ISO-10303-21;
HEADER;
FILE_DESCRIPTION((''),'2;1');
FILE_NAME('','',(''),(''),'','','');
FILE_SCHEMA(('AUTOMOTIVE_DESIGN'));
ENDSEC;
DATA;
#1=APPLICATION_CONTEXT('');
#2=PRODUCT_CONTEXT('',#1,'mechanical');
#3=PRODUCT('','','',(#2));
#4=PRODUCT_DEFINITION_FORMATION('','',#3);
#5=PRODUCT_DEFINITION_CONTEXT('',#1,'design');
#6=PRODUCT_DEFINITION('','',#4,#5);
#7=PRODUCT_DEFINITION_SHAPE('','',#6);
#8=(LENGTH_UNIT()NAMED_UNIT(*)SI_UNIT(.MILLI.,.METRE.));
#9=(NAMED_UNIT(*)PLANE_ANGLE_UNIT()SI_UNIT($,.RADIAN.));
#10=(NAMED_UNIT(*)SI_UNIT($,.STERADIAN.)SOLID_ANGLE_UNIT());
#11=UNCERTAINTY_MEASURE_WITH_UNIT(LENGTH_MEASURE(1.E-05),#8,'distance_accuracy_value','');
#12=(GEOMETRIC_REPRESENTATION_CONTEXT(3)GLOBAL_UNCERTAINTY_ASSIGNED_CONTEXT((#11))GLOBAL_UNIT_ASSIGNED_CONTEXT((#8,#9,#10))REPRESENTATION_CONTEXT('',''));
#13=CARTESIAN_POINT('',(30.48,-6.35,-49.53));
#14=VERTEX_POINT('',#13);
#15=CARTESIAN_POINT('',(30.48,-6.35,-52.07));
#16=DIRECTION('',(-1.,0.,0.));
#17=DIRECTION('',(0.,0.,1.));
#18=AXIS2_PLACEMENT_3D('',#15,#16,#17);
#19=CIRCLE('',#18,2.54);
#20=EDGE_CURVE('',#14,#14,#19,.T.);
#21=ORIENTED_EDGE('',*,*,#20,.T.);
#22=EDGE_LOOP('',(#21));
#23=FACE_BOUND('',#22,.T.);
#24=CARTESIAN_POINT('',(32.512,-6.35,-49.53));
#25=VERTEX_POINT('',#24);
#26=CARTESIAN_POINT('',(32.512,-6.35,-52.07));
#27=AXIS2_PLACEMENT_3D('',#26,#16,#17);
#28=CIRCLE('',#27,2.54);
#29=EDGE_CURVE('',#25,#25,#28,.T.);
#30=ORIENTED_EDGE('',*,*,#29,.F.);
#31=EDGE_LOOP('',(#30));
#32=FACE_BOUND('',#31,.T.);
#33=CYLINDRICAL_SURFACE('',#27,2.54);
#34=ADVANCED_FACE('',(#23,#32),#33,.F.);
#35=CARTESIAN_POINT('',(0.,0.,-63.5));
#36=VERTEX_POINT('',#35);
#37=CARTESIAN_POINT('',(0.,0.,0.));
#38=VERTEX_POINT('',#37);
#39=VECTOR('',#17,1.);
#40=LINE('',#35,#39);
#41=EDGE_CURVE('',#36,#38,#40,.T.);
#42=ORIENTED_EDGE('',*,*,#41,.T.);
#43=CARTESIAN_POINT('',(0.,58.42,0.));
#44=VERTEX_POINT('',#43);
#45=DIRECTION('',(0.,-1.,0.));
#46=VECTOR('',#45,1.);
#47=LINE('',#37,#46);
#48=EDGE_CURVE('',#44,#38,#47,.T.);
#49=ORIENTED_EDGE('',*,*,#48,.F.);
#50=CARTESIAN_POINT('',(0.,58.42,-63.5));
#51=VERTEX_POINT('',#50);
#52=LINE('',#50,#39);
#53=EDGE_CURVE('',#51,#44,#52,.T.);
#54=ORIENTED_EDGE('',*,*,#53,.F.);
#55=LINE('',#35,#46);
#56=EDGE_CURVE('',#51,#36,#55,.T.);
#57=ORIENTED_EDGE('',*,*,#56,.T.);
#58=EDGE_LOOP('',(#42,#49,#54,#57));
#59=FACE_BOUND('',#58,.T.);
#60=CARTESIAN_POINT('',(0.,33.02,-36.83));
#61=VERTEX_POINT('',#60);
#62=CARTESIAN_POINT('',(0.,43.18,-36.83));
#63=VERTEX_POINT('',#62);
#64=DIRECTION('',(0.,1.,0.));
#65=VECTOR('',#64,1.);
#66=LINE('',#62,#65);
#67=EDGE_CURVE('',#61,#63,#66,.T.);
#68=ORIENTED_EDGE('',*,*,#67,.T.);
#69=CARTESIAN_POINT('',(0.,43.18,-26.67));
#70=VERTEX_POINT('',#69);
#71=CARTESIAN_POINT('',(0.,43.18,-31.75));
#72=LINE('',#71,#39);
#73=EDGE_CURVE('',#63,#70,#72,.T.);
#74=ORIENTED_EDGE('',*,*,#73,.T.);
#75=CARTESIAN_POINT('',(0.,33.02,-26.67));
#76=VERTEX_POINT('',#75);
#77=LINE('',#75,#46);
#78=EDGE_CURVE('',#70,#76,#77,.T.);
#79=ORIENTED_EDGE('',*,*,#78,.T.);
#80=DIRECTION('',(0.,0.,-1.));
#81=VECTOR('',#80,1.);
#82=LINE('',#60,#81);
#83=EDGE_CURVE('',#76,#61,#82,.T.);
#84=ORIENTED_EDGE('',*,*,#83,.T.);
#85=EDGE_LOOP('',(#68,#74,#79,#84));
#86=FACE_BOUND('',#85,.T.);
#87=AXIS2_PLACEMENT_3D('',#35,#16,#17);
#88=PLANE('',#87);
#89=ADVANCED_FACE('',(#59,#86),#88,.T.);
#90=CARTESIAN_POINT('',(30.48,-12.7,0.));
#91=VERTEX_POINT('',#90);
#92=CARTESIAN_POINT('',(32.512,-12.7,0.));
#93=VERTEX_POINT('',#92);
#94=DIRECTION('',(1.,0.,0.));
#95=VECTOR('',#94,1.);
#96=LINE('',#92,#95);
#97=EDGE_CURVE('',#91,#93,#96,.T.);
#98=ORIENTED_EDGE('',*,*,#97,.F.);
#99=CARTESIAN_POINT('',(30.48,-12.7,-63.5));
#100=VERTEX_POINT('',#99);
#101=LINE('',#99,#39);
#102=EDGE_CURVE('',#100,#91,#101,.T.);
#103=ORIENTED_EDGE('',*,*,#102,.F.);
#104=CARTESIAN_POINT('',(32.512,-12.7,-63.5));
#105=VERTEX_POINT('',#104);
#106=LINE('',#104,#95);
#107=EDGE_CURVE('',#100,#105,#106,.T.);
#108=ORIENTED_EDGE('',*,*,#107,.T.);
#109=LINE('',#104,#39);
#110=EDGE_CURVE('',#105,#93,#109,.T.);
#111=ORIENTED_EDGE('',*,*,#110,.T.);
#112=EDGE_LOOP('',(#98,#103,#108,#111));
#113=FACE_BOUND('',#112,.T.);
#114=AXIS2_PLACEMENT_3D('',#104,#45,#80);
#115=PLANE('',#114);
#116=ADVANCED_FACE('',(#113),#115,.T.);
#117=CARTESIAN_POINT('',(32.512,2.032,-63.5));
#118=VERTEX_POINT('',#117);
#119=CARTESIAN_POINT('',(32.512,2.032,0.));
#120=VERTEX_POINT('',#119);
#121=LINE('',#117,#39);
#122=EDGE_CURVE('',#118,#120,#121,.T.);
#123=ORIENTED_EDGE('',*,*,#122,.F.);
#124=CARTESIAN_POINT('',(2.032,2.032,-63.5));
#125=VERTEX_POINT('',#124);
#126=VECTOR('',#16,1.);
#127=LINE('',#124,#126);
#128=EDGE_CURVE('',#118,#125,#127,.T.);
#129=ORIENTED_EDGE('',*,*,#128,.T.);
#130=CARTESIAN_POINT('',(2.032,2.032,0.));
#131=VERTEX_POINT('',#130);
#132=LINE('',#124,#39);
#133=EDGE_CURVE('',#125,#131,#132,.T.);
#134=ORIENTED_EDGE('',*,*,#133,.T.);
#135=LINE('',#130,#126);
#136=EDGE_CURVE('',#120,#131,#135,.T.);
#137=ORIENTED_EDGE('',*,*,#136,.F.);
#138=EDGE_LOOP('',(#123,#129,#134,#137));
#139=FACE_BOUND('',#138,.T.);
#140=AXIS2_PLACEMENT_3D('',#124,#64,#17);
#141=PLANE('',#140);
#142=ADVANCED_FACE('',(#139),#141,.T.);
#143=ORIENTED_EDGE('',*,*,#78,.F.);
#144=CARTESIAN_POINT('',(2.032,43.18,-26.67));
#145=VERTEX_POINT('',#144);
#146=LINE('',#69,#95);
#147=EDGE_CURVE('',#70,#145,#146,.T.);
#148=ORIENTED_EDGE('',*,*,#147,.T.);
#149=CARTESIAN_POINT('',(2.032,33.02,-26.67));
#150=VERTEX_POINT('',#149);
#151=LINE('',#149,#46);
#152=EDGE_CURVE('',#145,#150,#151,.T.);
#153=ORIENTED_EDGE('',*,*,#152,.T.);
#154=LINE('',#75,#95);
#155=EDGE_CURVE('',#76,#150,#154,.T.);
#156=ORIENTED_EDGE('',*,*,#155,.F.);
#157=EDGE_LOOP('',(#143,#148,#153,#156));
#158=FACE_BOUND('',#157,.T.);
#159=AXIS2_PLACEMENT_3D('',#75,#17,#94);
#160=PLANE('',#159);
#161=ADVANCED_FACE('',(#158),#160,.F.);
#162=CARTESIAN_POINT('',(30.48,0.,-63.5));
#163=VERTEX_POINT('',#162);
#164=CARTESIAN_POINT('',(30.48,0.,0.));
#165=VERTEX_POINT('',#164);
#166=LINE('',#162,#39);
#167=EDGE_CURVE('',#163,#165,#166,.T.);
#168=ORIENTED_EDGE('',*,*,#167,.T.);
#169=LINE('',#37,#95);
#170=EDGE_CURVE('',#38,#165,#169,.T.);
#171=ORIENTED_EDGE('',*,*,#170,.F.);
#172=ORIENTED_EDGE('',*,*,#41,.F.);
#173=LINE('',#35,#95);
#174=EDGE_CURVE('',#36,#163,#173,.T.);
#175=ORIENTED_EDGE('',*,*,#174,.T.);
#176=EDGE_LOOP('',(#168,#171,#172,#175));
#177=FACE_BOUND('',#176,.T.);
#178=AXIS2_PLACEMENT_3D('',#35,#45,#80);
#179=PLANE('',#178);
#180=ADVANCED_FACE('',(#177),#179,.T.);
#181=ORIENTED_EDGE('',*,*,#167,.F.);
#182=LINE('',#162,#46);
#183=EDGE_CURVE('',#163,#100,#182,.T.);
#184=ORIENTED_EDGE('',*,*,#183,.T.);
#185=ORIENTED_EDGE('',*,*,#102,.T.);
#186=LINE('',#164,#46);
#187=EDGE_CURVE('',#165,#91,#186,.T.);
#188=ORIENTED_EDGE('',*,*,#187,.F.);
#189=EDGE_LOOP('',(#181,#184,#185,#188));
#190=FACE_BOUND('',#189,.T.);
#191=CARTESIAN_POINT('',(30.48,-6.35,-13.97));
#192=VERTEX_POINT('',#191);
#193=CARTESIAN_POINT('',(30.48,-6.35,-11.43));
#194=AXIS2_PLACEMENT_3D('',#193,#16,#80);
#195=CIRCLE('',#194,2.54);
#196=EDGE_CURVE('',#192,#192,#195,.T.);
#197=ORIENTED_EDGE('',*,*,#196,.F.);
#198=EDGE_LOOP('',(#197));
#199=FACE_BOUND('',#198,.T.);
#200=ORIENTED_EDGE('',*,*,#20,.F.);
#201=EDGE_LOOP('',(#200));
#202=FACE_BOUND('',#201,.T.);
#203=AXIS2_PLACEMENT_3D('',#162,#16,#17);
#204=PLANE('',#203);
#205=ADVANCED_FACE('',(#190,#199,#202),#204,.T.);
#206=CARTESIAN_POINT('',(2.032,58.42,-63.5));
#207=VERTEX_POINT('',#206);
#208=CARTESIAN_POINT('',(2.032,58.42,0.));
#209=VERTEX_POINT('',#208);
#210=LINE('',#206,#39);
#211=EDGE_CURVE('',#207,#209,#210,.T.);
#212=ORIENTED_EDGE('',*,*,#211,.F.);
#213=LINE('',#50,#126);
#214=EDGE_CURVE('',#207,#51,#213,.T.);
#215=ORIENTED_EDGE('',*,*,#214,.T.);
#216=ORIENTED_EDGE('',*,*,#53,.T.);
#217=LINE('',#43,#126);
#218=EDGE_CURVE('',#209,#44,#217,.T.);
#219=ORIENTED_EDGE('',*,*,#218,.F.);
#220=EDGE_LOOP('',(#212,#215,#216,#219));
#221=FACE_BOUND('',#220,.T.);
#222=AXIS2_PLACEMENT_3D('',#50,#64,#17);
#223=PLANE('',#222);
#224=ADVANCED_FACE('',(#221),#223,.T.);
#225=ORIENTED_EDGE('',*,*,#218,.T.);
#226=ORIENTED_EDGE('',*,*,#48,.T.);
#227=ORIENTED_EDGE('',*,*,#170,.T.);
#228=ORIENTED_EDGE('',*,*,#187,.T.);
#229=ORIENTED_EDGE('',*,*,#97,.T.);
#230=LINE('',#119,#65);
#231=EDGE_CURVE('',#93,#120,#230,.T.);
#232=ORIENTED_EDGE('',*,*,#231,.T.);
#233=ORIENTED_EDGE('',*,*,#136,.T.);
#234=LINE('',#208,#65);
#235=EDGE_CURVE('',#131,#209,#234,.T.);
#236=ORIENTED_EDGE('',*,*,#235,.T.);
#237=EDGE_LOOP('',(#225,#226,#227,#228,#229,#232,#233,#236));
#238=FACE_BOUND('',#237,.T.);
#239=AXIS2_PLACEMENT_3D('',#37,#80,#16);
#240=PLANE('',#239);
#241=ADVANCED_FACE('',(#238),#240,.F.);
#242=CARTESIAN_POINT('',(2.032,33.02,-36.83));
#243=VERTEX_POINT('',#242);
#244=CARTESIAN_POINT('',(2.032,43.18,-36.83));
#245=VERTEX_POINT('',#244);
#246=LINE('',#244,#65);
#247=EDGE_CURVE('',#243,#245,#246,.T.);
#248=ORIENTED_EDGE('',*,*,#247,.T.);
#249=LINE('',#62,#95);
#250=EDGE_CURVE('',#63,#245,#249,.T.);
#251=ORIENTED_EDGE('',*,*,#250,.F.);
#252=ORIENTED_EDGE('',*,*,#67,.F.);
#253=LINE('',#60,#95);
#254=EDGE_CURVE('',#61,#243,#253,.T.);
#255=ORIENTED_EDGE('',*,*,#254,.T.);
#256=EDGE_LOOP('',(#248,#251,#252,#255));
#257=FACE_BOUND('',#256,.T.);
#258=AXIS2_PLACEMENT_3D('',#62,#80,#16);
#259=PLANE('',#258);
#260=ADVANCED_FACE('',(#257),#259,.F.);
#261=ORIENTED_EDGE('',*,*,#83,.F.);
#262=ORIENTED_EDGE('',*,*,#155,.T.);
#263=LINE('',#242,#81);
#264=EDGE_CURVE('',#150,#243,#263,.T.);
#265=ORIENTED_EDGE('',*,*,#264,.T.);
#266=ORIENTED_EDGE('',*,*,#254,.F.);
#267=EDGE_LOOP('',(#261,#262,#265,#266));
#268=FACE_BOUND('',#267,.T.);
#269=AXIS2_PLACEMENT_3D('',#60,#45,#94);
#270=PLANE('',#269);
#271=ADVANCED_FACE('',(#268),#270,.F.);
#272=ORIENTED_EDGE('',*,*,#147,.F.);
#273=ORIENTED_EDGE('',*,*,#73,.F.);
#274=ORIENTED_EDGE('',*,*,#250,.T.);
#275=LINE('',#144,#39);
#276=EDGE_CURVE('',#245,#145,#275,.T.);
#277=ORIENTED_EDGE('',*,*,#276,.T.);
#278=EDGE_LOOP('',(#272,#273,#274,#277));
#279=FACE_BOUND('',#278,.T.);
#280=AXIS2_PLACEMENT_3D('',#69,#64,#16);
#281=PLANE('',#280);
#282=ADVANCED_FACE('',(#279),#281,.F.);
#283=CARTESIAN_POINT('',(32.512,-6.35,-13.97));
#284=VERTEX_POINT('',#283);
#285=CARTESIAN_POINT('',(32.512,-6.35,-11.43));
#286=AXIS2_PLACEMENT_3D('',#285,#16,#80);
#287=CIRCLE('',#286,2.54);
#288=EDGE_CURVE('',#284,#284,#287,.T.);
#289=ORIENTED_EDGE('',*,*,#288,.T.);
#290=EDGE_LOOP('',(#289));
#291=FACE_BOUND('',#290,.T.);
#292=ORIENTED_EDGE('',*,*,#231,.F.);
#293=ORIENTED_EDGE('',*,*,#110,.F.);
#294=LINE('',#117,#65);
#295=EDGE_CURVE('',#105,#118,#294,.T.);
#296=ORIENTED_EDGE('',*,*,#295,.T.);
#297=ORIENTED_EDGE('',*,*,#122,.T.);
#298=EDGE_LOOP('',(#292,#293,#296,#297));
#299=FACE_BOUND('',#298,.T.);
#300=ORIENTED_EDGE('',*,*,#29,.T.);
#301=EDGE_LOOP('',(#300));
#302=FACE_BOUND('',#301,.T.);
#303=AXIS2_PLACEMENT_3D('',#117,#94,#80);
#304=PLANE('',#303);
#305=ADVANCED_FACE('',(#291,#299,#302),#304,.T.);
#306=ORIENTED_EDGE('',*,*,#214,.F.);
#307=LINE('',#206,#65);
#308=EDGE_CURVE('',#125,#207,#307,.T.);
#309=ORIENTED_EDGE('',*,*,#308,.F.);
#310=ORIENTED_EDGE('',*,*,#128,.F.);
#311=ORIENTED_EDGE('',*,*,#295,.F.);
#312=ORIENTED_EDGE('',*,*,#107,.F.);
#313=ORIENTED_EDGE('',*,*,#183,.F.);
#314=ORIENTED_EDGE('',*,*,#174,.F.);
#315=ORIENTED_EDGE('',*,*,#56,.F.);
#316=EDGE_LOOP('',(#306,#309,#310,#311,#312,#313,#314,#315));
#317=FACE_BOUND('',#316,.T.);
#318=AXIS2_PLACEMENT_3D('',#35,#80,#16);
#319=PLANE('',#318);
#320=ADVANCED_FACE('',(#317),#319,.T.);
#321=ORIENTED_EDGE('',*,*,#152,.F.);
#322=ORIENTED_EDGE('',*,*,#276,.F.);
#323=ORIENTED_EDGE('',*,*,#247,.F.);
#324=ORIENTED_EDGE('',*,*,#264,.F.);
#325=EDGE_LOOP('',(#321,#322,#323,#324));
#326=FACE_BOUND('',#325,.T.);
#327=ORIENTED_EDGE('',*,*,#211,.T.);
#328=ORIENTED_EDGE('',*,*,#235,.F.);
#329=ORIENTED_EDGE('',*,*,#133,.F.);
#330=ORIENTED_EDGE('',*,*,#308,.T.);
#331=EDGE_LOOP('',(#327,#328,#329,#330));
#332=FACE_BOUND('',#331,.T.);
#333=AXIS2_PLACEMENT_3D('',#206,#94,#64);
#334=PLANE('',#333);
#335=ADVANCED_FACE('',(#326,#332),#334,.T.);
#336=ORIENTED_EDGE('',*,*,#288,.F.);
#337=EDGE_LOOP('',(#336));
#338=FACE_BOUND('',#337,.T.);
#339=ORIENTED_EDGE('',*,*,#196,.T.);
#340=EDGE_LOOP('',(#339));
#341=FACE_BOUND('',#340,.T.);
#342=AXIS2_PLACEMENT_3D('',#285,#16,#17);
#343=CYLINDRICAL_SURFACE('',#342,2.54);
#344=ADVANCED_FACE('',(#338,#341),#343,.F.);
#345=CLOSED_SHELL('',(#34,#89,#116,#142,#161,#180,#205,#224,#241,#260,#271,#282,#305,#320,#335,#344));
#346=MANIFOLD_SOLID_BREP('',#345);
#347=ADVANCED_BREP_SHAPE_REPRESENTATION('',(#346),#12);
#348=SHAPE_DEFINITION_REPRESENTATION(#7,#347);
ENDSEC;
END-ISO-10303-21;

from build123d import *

# Parameters (mm, degrees)
BOSS_EXTRUDE1_DEPTH = 63.5
CUT_EXTRUDE1_DEPTH  = 92.510528356
SKETCH4_R           = 2.54
CUT_EXTRUDE2_DEPTH  = 92.510528356


with BuildPart() as part:
    # Sketch1 → Boss-Extrude1 (new body)
    with BuildSketch(Plane.XY):
        Polygon((0, 0), (30.48, 0), (30.48, -12.7), (32.512, -12.7), (32.512, 2.032), (2.032, 2.032), (2.032, 58.42), (0, 58.42), align=None)
    extrude(amount=-BOSS_EXTRUDE1_DEPTH)

    # Sketch2 → Cut-Extrude1 (cut, through all)
    with BuildSketch(Plane(origin=(2.032, 0, 0), x_dir=(0, 0, -1), z_dir=(1, 0, 0))):
        Polygon((31.75, 43.18), (36.83, 43.18), (36.83, 33.02), (26.67, 33.02), (26.67, 43.18), align=None)
    extrude(amount=-CUT_EXTRUDE1_DEPTH, mode=Mode.SUBTRACT)

    # Sketch4 → Cut-Extrude2 (cut, through all)
    with BuildSketch(Plane.ZY.offset(-30.48)):
        with Locations((-52.07, -6.35)):
            Circle(SKETCH4_R)
        with Locations(Location((-11.43, -6.35, 0), (0, 0, 180))):
            Circle(SKETCH4_R)
    extrude(amount=-CUT_EXTRUDE2_DEPTH, mode=Mode.SUBTRACT)


solid = part.part
